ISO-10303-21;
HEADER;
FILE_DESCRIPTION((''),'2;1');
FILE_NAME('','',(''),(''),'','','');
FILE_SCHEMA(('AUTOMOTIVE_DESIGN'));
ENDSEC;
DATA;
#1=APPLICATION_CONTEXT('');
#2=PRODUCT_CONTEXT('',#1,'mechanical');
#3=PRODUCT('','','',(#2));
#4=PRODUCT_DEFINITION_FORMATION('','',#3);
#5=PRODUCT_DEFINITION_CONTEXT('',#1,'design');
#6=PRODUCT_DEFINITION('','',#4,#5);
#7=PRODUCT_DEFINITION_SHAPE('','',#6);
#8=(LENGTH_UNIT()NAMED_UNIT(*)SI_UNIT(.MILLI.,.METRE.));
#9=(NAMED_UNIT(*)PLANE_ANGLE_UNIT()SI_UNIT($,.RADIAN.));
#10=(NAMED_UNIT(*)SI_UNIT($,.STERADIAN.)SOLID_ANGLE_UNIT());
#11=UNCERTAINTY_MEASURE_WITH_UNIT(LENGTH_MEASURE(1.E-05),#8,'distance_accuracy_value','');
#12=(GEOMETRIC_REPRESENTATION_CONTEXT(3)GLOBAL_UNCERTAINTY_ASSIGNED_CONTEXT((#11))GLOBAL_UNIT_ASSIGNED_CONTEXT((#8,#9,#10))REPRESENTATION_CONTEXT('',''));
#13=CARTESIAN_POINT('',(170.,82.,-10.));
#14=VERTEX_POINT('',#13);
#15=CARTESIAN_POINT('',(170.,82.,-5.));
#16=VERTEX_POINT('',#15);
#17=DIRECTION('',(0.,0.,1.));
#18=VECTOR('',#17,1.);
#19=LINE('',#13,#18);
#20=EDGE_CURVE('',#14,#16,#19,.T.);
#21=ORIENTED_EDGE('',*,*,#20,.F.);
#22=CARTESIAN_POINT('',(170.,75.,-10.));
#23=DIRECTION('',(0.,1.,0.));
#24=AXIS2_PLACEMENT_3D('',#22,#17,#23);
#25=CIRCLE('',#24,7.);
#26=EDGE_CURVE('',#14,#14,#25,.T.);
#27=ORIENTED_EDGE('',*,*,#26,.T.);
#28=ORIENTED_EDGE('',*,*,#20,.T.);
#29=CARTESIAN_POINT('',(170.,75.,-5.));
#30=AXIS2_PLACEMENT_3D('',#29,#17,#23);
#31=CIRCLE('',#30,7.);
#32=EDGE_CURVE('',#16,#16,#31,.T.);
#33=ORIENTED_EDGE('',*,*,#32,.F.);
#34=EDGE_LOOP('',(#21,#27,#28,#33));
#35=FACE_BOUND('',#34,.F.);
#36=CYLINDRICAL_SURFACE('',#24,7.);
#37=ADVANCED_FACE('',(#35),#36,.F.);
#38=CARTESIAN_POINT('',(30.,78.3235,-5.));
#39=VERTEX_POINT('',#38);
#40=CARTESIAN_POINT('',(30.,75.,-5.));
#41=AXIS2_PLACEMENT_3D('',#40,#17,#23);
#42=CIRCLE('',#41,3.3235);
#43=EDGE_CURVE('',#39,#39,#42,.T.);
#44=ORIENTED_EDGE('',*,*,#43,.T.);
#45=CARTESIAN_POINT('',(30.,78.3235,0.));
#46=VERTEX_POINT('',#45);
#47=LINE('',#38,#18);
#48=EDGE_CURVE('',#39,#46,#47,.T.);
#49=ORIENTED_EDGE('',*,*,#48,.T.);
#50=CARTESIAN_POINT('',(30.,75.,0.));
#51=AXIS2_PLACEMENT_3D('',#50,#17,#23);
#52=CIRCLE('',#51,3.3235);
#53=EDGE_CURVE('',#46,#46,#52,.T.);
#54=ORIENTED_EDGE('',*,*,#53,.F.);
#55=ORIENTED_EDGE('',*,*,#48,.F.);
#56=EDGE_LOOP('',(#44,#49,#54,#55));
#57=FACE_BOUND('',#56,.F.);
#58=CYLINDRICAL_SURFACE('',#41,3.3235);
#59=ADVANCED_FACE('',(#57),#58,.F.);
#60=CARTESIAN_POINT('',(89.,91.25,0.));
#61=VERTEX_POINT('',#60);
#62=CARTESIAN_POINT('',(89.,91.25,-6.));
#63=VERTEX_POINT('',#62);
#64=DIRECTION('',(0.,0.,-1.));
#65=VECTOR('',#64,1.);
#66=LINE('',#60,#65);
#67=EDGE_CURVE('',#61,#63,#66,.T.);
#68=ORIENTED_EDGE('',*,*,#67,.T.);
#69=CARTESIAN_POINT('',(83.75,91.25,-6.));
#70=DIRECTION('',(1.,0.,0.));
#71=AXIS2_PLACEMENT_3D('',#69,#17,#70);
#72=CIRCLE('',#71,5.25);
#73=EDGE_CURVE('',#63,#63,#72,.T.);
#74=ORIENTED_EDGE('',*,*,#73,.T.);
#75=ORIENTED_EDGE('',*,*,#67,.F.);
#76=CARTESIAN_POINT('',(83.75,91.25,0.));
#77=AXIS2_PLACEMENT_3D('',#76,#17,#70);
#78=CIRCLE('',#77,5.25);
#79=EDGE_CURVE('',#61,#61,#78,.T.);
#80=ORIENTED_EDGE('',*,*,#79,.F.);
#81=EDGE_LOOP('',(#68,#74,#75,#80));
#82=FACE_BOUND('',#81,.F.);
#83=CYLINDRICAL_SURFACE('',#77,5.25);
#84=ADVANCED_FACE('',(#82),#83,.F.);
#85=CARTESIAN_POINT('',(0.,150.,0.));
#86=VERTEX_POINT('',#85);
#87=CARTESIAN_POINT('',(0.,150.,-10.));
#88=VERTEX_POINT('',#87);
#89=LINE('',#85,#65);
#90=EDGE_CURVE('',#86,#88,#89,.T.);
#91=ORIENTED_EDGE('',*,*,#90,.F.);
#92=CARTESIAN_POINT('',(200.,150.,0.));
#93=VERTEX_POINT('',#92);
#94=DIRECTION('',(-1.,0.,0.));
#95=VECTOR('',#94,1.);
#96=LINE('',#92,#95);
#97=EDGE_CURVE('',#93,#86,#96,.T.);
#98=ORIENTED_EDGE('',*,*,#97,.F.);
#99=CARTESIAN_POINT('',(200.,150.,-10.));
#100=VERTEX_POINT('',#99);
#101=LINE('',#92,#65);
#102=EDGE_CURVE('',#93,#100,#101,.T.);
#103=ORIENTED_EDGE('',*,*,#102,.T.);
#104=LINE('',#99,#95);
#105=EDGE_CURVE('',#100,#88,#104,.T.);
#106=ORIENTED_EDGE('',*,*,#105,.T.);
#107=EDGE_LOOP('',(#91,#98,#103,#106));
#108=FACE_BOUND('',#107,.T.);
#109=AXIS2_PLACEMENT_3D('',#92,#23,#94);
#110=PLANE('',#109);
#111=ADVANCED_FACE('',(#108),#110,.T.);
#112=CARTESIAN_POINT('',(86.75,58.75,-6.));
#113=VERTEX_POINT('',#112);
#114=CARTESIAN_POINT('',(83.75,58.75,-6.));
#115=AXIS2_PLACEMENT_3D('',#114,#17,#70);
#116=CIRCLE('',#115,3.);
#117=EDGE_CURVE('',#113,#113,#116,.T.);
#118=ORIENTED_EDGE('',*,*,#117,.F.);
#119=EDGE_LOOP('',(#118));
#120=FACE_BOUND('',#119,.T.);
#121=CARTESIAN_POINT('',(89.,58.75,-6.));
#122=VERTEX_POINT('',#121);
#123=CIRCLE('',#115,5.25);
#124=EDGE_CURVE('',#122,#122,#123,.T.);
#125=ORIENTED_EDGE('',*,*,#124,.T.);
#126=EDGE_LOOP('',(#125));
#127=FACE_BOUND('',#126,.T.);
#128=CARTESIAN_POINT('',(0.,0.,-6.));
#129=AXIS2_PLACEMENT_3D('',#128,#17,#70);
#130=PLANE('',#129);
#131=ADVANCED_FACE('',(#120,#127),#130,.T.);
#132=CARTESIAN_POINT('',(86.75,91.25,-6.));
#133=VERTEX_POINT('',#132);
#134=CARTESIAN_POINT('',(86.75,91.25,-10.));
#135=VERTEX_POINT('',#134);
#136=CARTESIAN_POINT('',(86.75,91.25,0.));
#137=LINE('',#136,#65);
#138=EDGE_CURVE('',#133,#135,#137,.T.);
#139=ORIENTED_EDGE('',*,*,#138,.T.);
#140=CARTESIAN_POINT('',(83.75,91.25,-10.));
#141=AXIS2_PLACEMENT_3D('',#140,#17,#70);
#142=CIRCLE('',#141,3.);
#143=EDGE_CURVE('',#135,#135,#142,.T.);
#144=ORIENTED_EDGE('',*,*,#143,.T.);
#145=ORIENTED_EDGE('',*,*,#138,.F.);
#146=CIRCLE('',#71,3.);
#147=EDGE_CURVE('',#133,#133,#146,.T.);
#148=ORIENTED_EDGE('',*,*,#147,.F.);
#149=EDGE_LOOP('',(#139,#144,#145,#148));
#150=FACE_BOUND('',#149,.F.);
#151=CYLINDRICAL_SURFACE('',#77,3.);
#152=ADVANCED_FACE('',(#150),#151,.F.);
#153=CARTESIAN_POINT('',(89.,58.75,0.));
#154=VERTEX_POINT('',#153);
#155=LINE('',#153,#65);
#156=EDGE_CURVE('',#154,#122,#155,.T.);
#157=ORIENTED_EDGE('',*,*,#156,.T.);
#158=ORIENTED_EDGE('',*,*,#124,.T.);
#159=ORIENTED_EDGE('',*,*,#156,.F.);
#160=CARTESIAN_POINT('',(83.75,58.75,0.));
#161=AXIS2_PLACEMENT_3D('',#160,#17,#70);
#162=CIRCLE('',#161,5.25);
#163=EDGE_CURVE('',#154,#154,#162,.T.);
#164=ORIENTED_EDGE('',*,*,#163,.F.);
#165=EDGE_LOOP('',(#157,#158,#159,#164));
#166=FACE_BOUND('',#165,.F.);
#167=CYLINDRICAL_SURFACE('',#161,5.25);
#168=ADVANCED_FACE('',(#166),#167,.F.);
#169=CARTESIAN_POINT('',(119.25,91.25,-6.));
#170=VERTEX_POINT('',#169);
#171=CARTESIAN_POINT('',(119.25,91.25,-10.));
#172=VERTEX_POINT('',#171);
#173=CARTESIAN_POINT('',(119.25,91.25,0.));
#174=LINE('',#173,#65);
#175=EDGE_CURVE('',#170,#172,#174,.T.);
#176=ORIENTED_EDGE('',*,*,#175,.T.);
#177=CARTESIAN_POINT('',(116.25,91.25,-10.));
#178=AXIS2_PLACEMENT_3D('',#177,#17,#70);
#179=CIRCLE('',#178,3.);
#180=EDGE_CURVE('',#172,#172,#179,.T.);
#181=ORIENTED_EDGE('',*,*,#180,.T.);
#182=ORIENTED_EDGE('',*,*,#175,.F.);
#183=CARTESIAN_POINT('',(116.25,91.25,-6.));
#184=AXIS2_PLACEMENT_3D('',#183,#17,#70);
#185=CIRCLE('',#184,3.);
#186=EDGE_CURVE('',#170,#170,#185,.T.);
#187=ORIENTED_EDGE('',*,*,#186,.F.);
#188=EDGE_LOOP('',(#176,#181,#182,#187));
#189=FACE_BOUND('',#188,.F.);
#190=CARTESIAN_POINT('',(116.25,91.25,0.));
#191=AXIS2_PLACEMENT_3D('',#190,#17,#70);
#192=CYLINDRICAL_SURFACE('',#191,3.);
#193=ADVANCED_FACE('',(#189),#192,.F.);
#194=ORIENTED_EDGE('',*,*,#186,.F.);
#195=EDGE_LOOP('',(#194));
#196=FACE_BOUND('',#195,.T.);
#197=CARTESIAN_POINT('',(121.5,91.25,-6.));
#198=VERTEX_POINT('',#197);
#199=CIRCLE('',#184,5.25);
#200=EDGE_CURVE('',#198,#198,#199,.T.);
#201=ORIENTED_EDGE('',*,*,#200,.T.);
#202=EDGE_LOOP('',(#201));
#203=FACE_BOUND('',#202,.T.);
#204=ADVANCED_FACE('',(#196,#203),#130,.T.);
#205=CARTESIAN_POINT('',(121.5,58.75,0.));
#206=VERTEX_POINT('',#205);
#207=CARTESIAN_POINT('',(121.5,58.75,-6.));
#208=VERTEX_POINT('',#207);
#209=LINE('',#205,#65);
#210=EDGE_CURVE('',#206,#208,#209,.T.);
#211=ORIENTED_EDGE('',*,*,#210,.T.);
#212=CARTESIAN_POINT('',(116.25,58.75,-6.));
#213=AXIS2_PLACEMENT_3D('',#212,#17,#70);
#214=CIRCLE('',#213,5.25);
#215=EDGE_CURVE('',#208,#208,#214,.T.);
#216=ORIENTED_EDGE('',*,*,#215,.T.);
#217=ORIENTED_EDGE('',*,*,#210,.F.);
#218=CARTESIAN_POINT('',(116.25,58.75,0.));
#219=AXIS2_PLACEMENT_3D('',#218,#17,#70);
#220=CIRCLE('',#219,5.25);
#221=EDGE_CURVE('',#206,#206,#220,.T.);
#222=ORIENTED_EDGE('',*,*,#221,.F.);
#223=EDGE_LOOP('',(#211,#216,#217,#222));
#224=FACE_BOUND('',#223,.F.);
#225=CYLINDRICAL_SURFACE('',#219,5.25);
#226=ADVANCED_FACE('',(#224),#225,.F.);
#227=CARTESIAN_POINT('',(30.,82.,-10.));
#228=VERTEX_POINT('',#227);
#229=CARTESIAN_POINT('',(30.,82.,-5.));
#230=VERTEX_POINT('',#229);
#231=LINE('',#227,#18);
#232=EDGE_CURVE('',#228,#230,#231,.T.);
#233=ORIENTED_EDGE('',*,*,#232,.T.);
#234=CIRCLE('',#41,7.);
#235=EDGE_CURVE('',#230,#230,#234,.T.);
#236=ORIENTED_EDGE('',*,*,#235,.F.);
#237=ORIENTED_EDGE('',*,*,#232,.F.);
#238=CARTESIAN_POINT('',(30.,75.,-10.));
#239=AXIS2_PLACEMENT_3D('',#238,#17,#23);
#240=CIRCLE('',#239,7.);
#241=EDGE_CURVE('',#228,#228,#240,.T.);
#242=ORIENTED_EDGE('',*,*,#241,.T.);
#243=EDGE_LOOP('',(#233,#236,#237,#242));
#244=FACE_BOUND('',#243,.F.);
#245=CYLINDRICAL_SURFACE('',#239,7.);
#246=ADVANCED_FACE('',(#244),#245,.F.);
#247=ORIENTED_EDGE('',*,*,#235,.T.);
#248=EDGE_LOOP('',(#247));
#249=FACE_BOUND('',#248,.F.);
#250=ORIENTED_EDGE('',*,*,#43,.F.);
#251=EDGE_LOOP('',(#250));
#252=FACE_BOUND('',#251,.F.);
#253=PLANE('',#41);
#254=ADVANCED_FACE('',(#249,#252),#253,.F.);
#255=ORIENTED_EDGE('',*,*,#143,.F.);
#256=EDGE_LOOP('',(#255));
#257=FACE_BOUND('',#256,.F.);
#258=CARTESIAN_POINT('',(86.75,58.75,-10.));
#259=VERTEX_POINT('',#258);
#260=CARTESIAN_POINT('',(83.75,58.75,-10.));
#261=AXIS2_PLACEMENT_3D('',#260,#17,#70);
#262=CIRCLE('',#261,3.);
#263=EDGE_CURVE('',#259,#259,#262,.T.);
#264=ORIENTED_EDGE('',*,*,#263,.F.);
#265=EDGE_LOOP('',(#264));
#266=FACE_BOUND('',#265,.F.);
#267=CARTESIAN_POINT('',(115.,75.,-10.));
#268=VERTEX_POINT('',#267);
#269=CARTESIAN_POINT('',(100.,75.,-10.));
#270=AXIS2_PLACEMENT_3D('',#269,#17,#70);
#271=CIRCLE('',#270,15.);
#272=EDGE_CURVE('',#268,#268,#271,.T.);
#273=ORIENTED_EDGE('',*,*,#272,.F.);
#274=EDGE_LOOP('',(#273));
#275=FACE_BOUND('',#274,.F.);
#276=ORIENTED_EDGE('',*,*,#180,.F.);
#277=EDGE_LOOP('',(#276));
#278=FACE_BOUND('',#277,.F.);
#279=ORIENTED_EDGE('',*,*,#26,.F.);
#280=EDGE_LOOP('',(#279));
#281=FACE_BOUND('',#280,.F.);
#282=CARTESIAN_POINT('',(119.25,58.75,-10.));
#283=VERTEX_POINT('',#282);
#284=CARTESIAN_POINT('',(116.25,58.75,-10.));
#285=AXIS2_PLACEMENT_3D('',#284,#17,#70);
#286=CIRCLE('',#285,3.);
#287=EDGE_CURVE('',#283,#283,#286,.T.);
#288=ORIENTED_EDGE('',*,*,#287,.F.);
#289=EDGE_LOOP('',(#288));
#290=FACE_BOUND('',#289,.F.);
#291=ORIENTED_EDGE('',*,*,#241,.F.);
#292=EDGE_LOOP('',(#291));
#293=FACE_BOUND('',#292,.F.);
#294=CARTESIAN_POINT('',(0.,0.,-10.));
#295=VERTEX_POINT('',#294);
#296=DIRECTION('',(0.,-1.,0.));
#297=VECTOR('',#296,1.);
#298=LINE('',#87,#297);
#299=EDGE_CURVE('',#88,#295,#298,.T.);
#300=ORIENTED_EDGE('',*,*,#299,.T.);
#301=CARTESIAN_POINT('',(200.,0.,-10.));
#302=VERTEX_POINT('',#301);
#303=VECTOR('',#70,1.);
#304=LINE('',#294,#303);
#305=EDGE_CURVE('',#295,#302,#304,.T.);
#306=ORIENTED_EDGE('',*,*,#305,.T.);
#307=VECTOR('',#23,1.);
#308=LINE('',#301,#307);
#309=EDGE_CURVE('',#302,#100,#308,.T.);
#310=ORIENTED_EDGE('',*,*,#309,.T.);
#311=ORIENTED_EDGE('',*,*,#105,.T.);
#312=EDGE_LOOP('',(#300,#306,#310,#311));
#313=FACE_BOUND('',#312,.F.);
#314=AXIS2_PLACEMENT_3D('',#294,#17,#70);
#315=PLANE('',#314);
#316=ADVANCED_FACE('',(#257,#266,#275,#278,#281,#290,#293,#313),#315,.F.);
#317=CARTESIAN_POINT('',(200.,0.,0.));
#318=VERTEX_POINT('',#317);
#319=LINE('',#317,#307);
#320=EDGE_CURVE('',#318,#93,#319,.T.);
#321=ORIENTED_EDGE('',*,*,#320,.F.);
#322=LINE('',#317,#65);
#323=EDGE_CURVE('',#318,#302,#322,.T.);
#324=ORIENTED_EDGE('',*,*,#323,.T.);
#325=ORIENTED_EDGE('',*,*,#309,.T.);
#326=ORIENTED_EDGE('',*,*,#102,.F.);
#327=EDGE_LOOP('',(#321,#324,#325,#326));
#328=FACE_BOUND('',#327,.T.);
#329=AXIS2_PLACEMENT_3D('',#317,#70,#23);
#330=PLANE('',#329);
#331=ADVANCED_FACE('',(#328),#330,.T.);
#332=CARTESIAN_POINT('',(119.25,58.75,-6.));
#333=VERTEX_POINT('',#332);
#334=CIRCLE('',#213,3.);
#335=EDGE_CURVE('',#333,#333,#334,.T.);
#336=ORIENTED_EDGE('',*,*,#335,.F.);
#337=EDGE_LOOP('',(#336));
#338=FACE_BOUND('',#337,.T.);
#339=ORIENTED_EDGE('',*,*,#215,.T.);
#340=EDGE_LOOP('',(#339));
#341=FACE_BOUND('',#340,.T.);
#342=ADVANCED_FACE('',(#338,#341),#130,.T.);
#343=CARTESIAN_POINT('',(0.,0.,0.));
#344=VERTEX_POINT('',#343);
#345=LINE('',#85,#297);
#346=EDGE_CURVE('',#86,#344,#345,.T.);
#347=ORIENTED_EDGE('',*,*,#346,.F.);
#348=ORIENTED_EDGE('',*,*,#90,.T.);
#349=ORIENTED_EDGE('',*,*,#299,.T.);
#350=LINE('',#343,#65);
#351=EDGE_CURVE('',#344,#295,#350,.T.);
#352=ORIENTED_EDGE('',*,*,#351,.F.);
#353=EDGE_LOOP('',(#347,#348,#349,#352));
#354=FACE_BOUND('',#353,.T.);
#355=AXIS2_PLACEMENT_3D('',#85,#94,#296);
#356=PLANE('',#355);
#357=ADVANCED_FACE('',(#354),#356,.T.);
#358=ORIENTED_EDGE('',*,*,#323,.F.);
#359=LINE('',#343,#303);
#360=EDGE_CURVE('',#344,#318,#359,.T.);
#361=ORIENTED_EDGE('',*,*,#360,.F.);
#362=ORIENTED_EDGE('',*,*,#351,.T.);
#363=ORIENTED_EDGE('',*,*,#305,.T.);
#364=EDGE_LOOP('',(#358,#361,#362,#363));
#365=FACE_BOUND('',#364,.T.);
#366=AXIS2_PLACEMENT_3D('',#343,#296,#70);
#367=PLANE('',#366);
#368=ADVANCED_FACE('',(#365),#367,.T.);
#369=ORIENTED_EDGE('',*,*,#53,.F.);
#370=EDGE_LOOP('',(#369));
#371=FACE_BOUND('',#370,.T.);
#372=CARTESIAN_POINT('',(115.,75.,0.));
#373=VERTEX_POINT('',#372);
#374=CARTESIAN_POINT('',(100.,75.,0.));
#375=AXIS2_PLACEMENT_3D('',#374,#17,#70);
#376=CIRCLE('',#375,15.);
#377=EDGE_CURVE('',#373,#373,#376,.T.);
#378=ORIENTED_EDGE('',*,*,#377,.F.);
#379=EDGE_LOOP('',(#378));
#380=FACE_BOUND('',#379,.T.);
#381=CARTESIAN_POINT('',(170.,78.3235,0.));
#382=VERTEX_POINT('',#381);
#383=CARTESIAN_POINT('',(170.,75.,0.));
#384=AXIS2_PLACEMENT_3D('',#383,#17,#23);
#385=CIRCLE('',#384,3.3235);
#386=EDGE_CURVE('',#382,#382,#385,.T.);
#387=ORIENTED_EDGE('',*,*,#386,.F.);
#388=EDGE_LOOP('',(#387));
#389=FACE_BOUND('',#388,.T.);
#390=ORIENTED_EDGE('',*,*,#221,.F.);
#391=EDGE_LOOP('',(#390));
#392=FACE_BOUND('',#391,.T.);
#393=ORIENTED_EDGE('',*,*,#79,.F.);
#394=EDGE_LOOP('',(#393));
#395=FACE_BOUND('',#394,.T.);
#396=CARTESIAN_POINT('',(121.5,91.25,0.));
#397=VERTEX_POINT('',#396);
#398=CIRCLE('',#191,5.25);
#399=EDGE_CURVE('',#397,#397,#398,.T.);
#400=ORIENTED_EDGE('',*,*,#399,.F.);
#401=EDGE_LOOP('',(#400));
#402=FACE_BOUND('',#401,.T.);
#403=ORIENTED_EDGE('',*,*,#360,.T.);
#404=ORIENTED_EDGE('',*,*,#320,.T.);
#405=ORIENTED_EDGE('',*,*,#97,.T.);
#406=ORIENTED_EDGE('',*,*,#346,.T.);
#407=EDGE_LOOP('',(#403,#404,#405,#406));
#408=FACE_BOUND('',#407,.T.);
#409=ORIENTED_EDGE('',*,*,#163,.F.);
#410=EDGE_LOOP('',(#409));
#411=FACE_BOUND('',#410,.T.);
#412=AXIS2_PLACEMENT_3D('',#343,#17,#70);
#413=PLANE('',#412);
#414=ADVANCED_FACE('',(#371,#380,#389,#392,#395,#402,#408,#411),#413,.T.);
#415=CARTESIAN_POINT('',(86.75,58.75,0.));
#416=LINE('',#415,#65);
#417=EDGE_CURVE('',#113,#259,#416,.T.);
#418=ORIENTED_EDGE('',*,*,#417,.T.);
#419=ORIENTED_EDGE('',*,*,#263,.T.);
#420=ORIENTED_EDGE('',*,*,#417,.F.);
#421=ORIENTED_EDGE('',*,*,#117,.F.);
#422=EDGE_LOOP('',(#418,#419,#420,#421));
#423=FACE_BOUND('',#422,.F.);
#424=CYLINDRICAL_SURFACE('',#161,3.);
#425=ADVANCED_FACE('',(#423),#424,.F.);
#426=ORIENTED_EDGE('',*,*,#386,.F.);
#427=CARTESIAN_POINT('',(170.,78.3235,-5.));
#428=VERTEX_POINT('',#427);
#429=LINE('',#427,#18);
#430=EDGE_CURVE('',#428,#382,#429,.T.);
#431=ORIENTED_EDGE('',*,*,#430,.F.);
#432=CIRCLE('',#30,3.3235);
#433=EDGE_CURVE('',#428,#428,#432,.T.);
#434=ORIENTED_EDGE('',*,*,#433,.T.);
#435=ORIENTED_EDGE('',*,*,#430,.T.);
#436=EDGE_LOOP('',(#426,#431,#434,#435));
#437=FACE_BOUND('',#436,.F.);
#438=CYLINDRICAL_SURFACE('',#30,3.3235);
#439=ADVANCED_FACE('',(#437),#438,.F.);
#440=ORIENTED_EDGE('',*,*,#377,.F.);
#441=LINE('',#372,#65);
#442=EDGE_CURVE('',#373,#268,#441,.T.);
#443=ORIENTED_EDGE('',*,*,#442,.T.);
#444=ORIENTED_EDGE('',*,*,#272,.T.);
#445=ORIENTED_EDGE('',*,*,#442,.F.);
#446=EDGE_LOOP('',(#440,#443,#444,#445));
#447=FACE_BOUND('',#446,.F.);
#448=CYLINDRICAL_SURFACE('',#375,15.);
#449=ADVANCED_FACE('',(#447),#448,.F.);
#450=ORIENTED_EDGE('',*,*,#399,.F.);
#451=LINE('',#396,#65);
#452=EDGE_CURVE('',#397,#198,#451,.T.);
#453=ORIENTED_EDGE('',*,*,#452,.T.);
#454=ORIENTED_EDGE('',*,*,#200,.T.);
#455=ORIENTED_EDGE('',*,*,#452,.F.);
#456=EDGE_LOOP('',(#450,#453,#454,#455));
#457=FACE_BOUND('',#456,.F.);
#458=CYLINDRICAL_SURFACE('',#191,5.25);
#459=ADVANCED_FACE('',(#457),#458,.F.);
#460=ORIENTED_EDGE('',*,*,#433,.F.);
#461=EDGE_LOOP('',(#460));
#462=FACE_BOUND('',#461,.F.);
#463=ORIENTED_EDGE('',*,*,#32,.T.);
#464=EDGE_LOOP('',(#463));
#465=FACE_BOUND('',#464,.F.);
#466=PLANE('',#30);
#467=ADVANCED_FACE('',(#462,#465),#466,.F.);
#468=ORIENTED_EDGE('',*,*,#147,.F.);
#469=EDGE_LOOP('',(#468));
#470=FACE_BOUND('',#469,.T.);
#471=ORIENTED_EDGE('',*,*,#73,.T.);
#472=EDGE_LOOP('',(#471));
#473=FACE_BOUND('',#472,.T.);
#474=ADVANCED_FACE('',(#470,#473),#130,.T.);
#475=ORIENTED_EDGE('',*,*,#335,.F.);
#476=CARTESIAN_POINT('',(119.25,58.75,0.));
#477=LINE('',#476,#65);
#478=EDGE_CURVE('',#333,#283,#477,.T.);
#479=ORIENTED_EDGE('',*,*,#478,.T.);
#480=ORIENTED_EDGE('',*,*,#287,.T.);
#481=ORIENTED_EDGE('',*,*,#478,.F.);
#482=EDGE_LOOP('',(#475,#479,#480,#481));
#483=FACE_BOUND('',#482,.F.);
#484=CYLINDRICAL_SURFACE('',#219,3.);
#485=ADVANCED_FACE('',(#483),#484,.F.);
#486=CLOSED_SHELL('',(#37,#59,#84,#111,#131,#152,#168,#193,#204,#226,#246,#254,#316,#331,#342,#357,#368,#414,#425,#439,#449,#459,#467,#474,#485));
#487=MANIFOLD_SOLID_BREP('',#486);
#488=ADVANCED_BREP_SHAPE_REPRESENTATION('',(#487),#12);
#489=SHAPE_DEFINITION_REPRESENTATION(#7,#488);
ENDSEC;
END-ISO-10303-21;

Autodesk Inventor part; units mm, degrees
ref_plane "YZ Plane" through (0, 0, 0) normal (1, 0, 0) x (0, 1, 0)
ref_plane "XZ Plane" through (0, 0, 0) normal (0, 1, 0) x (-1, 0, 0)
ref_plane "XY Plane" through (0, 0, 0) normal (0, 0, 1) x (1, 0, 0)
sketch "Sketch2" plane through (0, 0, 0) normal (0, 0, 1) x (1, 0, 0)
  line L0 (0, 0) -> (200, 0)
  line L1 (200, 0) -> (200, 150)
  line L2 (200, 150) -> (0, 150)
  line L3 (0, 150) -> (0, 0)
  circle A0 centre (100, 75) radius 15
  dimension "d4" = 150
  dimension "d5" = 200
  dimension "d6" = 75
  dimension "d7" = 100
  dimension "d8" = 30
extrude "Extrusion2" add sketch "Sketch2" against normal blind 10
sketch "Sketch6" plane through (0, 0, -10) normal (0, 0, -1) x (-1, 0, 0)
  line L0 (0, 150) -> (-200, 150) projected
  line L1 (0, 0) -> (0, 150) projected
  point P0 (-30, 75)
  point P1 (-170, 75)
  dimension "d28" = 75
  dimension "d29" = 75
  dimension "d30" = 140
  dimension "d31" = 30
hole "Hole2" at (30, 75, -10) at (170, 75, -10) direction (0, 0, 1) diameter 6.647 end through all counterbore diameter 14 counterbore depth 5 thread size "M8x1.25" class "6H" standard "ISO Metric profile"
sketch "Sketch7" plane through (0, 0, 0) normal (0, 0, 1) x (1, 0, 0)
  circle A0 centre (83.75, 91.25) radius 3
  circle A1 centre (116.25, 91.25) radius 3
  circle A2 centre (83.75, 58.75) radius 3
  circle A3 centre (116.25, 58.75) radius 3
  circle A4 centre (100, 75) radius 15 projected
  point P0 (0, 0)
  dimension "d39" = 16.25
  dimension "d40" = 16.25
  dimension "d41" = 16.25
  dimension "d42" = 16.25
  dimension "d43" = 16.25
  dimension "d44" = 16.25
  dimension "d45" = 16.25
  dimension "d46" = 16.25
  dimension "d47" = 6
extrude "Extrusion5" cut sketch "Sketch7" against normal blind 15 contours A0 | A1 | A2 | A3
sketch "Sketch8" plane through (0, 0, 0) normal (0, 0, 1) x (1, 0, 0)
  circle A0 centre (83.75, 91.25) radius 3 projected
  circle A1 centre (116.25, 91.25) radius 3 projected
  circle A2 centre (83.75, 58.75) radius 3 projected
  circle A3 centre (116.25, 58.75) radius 3 projected
  circle A4 centre (83.75, 91.25) radius 5.25
  circle A5 centre (116.25, 91.25) radius 5.25
  circle A6 centre (83.75, 58.75) radius 5.25
  circle A7 centre (116.25, 58.75) radius 5.25
  point P0 (0, 0)
  dimension "d50" = 10.5
  dimension "d51" = 10.5
  dimension "d52" = 10.5
  dimension "d53" = 10.5
extrude "Extrusion6" cut sketch "Sketch8" against normal blind 6 contours A0 | A2 | A3 | A4 | A5 | A6 | A7
equation "\"d29\" = d28"
equation "\"d40\" = d39"
equation "\"d41\" = d39"
equation "\"d42\" = d39"
equation "\"d43\" = d39"
equation "\"d44\" = d39"
equation "\"d45\" = d39"
equation "\"d46\" = d39"
equation "\"d50\" = d52"
equation "\"d51\" = d52"
equation "\"d53\" = d52"
properties part number "Soporte Piston"
